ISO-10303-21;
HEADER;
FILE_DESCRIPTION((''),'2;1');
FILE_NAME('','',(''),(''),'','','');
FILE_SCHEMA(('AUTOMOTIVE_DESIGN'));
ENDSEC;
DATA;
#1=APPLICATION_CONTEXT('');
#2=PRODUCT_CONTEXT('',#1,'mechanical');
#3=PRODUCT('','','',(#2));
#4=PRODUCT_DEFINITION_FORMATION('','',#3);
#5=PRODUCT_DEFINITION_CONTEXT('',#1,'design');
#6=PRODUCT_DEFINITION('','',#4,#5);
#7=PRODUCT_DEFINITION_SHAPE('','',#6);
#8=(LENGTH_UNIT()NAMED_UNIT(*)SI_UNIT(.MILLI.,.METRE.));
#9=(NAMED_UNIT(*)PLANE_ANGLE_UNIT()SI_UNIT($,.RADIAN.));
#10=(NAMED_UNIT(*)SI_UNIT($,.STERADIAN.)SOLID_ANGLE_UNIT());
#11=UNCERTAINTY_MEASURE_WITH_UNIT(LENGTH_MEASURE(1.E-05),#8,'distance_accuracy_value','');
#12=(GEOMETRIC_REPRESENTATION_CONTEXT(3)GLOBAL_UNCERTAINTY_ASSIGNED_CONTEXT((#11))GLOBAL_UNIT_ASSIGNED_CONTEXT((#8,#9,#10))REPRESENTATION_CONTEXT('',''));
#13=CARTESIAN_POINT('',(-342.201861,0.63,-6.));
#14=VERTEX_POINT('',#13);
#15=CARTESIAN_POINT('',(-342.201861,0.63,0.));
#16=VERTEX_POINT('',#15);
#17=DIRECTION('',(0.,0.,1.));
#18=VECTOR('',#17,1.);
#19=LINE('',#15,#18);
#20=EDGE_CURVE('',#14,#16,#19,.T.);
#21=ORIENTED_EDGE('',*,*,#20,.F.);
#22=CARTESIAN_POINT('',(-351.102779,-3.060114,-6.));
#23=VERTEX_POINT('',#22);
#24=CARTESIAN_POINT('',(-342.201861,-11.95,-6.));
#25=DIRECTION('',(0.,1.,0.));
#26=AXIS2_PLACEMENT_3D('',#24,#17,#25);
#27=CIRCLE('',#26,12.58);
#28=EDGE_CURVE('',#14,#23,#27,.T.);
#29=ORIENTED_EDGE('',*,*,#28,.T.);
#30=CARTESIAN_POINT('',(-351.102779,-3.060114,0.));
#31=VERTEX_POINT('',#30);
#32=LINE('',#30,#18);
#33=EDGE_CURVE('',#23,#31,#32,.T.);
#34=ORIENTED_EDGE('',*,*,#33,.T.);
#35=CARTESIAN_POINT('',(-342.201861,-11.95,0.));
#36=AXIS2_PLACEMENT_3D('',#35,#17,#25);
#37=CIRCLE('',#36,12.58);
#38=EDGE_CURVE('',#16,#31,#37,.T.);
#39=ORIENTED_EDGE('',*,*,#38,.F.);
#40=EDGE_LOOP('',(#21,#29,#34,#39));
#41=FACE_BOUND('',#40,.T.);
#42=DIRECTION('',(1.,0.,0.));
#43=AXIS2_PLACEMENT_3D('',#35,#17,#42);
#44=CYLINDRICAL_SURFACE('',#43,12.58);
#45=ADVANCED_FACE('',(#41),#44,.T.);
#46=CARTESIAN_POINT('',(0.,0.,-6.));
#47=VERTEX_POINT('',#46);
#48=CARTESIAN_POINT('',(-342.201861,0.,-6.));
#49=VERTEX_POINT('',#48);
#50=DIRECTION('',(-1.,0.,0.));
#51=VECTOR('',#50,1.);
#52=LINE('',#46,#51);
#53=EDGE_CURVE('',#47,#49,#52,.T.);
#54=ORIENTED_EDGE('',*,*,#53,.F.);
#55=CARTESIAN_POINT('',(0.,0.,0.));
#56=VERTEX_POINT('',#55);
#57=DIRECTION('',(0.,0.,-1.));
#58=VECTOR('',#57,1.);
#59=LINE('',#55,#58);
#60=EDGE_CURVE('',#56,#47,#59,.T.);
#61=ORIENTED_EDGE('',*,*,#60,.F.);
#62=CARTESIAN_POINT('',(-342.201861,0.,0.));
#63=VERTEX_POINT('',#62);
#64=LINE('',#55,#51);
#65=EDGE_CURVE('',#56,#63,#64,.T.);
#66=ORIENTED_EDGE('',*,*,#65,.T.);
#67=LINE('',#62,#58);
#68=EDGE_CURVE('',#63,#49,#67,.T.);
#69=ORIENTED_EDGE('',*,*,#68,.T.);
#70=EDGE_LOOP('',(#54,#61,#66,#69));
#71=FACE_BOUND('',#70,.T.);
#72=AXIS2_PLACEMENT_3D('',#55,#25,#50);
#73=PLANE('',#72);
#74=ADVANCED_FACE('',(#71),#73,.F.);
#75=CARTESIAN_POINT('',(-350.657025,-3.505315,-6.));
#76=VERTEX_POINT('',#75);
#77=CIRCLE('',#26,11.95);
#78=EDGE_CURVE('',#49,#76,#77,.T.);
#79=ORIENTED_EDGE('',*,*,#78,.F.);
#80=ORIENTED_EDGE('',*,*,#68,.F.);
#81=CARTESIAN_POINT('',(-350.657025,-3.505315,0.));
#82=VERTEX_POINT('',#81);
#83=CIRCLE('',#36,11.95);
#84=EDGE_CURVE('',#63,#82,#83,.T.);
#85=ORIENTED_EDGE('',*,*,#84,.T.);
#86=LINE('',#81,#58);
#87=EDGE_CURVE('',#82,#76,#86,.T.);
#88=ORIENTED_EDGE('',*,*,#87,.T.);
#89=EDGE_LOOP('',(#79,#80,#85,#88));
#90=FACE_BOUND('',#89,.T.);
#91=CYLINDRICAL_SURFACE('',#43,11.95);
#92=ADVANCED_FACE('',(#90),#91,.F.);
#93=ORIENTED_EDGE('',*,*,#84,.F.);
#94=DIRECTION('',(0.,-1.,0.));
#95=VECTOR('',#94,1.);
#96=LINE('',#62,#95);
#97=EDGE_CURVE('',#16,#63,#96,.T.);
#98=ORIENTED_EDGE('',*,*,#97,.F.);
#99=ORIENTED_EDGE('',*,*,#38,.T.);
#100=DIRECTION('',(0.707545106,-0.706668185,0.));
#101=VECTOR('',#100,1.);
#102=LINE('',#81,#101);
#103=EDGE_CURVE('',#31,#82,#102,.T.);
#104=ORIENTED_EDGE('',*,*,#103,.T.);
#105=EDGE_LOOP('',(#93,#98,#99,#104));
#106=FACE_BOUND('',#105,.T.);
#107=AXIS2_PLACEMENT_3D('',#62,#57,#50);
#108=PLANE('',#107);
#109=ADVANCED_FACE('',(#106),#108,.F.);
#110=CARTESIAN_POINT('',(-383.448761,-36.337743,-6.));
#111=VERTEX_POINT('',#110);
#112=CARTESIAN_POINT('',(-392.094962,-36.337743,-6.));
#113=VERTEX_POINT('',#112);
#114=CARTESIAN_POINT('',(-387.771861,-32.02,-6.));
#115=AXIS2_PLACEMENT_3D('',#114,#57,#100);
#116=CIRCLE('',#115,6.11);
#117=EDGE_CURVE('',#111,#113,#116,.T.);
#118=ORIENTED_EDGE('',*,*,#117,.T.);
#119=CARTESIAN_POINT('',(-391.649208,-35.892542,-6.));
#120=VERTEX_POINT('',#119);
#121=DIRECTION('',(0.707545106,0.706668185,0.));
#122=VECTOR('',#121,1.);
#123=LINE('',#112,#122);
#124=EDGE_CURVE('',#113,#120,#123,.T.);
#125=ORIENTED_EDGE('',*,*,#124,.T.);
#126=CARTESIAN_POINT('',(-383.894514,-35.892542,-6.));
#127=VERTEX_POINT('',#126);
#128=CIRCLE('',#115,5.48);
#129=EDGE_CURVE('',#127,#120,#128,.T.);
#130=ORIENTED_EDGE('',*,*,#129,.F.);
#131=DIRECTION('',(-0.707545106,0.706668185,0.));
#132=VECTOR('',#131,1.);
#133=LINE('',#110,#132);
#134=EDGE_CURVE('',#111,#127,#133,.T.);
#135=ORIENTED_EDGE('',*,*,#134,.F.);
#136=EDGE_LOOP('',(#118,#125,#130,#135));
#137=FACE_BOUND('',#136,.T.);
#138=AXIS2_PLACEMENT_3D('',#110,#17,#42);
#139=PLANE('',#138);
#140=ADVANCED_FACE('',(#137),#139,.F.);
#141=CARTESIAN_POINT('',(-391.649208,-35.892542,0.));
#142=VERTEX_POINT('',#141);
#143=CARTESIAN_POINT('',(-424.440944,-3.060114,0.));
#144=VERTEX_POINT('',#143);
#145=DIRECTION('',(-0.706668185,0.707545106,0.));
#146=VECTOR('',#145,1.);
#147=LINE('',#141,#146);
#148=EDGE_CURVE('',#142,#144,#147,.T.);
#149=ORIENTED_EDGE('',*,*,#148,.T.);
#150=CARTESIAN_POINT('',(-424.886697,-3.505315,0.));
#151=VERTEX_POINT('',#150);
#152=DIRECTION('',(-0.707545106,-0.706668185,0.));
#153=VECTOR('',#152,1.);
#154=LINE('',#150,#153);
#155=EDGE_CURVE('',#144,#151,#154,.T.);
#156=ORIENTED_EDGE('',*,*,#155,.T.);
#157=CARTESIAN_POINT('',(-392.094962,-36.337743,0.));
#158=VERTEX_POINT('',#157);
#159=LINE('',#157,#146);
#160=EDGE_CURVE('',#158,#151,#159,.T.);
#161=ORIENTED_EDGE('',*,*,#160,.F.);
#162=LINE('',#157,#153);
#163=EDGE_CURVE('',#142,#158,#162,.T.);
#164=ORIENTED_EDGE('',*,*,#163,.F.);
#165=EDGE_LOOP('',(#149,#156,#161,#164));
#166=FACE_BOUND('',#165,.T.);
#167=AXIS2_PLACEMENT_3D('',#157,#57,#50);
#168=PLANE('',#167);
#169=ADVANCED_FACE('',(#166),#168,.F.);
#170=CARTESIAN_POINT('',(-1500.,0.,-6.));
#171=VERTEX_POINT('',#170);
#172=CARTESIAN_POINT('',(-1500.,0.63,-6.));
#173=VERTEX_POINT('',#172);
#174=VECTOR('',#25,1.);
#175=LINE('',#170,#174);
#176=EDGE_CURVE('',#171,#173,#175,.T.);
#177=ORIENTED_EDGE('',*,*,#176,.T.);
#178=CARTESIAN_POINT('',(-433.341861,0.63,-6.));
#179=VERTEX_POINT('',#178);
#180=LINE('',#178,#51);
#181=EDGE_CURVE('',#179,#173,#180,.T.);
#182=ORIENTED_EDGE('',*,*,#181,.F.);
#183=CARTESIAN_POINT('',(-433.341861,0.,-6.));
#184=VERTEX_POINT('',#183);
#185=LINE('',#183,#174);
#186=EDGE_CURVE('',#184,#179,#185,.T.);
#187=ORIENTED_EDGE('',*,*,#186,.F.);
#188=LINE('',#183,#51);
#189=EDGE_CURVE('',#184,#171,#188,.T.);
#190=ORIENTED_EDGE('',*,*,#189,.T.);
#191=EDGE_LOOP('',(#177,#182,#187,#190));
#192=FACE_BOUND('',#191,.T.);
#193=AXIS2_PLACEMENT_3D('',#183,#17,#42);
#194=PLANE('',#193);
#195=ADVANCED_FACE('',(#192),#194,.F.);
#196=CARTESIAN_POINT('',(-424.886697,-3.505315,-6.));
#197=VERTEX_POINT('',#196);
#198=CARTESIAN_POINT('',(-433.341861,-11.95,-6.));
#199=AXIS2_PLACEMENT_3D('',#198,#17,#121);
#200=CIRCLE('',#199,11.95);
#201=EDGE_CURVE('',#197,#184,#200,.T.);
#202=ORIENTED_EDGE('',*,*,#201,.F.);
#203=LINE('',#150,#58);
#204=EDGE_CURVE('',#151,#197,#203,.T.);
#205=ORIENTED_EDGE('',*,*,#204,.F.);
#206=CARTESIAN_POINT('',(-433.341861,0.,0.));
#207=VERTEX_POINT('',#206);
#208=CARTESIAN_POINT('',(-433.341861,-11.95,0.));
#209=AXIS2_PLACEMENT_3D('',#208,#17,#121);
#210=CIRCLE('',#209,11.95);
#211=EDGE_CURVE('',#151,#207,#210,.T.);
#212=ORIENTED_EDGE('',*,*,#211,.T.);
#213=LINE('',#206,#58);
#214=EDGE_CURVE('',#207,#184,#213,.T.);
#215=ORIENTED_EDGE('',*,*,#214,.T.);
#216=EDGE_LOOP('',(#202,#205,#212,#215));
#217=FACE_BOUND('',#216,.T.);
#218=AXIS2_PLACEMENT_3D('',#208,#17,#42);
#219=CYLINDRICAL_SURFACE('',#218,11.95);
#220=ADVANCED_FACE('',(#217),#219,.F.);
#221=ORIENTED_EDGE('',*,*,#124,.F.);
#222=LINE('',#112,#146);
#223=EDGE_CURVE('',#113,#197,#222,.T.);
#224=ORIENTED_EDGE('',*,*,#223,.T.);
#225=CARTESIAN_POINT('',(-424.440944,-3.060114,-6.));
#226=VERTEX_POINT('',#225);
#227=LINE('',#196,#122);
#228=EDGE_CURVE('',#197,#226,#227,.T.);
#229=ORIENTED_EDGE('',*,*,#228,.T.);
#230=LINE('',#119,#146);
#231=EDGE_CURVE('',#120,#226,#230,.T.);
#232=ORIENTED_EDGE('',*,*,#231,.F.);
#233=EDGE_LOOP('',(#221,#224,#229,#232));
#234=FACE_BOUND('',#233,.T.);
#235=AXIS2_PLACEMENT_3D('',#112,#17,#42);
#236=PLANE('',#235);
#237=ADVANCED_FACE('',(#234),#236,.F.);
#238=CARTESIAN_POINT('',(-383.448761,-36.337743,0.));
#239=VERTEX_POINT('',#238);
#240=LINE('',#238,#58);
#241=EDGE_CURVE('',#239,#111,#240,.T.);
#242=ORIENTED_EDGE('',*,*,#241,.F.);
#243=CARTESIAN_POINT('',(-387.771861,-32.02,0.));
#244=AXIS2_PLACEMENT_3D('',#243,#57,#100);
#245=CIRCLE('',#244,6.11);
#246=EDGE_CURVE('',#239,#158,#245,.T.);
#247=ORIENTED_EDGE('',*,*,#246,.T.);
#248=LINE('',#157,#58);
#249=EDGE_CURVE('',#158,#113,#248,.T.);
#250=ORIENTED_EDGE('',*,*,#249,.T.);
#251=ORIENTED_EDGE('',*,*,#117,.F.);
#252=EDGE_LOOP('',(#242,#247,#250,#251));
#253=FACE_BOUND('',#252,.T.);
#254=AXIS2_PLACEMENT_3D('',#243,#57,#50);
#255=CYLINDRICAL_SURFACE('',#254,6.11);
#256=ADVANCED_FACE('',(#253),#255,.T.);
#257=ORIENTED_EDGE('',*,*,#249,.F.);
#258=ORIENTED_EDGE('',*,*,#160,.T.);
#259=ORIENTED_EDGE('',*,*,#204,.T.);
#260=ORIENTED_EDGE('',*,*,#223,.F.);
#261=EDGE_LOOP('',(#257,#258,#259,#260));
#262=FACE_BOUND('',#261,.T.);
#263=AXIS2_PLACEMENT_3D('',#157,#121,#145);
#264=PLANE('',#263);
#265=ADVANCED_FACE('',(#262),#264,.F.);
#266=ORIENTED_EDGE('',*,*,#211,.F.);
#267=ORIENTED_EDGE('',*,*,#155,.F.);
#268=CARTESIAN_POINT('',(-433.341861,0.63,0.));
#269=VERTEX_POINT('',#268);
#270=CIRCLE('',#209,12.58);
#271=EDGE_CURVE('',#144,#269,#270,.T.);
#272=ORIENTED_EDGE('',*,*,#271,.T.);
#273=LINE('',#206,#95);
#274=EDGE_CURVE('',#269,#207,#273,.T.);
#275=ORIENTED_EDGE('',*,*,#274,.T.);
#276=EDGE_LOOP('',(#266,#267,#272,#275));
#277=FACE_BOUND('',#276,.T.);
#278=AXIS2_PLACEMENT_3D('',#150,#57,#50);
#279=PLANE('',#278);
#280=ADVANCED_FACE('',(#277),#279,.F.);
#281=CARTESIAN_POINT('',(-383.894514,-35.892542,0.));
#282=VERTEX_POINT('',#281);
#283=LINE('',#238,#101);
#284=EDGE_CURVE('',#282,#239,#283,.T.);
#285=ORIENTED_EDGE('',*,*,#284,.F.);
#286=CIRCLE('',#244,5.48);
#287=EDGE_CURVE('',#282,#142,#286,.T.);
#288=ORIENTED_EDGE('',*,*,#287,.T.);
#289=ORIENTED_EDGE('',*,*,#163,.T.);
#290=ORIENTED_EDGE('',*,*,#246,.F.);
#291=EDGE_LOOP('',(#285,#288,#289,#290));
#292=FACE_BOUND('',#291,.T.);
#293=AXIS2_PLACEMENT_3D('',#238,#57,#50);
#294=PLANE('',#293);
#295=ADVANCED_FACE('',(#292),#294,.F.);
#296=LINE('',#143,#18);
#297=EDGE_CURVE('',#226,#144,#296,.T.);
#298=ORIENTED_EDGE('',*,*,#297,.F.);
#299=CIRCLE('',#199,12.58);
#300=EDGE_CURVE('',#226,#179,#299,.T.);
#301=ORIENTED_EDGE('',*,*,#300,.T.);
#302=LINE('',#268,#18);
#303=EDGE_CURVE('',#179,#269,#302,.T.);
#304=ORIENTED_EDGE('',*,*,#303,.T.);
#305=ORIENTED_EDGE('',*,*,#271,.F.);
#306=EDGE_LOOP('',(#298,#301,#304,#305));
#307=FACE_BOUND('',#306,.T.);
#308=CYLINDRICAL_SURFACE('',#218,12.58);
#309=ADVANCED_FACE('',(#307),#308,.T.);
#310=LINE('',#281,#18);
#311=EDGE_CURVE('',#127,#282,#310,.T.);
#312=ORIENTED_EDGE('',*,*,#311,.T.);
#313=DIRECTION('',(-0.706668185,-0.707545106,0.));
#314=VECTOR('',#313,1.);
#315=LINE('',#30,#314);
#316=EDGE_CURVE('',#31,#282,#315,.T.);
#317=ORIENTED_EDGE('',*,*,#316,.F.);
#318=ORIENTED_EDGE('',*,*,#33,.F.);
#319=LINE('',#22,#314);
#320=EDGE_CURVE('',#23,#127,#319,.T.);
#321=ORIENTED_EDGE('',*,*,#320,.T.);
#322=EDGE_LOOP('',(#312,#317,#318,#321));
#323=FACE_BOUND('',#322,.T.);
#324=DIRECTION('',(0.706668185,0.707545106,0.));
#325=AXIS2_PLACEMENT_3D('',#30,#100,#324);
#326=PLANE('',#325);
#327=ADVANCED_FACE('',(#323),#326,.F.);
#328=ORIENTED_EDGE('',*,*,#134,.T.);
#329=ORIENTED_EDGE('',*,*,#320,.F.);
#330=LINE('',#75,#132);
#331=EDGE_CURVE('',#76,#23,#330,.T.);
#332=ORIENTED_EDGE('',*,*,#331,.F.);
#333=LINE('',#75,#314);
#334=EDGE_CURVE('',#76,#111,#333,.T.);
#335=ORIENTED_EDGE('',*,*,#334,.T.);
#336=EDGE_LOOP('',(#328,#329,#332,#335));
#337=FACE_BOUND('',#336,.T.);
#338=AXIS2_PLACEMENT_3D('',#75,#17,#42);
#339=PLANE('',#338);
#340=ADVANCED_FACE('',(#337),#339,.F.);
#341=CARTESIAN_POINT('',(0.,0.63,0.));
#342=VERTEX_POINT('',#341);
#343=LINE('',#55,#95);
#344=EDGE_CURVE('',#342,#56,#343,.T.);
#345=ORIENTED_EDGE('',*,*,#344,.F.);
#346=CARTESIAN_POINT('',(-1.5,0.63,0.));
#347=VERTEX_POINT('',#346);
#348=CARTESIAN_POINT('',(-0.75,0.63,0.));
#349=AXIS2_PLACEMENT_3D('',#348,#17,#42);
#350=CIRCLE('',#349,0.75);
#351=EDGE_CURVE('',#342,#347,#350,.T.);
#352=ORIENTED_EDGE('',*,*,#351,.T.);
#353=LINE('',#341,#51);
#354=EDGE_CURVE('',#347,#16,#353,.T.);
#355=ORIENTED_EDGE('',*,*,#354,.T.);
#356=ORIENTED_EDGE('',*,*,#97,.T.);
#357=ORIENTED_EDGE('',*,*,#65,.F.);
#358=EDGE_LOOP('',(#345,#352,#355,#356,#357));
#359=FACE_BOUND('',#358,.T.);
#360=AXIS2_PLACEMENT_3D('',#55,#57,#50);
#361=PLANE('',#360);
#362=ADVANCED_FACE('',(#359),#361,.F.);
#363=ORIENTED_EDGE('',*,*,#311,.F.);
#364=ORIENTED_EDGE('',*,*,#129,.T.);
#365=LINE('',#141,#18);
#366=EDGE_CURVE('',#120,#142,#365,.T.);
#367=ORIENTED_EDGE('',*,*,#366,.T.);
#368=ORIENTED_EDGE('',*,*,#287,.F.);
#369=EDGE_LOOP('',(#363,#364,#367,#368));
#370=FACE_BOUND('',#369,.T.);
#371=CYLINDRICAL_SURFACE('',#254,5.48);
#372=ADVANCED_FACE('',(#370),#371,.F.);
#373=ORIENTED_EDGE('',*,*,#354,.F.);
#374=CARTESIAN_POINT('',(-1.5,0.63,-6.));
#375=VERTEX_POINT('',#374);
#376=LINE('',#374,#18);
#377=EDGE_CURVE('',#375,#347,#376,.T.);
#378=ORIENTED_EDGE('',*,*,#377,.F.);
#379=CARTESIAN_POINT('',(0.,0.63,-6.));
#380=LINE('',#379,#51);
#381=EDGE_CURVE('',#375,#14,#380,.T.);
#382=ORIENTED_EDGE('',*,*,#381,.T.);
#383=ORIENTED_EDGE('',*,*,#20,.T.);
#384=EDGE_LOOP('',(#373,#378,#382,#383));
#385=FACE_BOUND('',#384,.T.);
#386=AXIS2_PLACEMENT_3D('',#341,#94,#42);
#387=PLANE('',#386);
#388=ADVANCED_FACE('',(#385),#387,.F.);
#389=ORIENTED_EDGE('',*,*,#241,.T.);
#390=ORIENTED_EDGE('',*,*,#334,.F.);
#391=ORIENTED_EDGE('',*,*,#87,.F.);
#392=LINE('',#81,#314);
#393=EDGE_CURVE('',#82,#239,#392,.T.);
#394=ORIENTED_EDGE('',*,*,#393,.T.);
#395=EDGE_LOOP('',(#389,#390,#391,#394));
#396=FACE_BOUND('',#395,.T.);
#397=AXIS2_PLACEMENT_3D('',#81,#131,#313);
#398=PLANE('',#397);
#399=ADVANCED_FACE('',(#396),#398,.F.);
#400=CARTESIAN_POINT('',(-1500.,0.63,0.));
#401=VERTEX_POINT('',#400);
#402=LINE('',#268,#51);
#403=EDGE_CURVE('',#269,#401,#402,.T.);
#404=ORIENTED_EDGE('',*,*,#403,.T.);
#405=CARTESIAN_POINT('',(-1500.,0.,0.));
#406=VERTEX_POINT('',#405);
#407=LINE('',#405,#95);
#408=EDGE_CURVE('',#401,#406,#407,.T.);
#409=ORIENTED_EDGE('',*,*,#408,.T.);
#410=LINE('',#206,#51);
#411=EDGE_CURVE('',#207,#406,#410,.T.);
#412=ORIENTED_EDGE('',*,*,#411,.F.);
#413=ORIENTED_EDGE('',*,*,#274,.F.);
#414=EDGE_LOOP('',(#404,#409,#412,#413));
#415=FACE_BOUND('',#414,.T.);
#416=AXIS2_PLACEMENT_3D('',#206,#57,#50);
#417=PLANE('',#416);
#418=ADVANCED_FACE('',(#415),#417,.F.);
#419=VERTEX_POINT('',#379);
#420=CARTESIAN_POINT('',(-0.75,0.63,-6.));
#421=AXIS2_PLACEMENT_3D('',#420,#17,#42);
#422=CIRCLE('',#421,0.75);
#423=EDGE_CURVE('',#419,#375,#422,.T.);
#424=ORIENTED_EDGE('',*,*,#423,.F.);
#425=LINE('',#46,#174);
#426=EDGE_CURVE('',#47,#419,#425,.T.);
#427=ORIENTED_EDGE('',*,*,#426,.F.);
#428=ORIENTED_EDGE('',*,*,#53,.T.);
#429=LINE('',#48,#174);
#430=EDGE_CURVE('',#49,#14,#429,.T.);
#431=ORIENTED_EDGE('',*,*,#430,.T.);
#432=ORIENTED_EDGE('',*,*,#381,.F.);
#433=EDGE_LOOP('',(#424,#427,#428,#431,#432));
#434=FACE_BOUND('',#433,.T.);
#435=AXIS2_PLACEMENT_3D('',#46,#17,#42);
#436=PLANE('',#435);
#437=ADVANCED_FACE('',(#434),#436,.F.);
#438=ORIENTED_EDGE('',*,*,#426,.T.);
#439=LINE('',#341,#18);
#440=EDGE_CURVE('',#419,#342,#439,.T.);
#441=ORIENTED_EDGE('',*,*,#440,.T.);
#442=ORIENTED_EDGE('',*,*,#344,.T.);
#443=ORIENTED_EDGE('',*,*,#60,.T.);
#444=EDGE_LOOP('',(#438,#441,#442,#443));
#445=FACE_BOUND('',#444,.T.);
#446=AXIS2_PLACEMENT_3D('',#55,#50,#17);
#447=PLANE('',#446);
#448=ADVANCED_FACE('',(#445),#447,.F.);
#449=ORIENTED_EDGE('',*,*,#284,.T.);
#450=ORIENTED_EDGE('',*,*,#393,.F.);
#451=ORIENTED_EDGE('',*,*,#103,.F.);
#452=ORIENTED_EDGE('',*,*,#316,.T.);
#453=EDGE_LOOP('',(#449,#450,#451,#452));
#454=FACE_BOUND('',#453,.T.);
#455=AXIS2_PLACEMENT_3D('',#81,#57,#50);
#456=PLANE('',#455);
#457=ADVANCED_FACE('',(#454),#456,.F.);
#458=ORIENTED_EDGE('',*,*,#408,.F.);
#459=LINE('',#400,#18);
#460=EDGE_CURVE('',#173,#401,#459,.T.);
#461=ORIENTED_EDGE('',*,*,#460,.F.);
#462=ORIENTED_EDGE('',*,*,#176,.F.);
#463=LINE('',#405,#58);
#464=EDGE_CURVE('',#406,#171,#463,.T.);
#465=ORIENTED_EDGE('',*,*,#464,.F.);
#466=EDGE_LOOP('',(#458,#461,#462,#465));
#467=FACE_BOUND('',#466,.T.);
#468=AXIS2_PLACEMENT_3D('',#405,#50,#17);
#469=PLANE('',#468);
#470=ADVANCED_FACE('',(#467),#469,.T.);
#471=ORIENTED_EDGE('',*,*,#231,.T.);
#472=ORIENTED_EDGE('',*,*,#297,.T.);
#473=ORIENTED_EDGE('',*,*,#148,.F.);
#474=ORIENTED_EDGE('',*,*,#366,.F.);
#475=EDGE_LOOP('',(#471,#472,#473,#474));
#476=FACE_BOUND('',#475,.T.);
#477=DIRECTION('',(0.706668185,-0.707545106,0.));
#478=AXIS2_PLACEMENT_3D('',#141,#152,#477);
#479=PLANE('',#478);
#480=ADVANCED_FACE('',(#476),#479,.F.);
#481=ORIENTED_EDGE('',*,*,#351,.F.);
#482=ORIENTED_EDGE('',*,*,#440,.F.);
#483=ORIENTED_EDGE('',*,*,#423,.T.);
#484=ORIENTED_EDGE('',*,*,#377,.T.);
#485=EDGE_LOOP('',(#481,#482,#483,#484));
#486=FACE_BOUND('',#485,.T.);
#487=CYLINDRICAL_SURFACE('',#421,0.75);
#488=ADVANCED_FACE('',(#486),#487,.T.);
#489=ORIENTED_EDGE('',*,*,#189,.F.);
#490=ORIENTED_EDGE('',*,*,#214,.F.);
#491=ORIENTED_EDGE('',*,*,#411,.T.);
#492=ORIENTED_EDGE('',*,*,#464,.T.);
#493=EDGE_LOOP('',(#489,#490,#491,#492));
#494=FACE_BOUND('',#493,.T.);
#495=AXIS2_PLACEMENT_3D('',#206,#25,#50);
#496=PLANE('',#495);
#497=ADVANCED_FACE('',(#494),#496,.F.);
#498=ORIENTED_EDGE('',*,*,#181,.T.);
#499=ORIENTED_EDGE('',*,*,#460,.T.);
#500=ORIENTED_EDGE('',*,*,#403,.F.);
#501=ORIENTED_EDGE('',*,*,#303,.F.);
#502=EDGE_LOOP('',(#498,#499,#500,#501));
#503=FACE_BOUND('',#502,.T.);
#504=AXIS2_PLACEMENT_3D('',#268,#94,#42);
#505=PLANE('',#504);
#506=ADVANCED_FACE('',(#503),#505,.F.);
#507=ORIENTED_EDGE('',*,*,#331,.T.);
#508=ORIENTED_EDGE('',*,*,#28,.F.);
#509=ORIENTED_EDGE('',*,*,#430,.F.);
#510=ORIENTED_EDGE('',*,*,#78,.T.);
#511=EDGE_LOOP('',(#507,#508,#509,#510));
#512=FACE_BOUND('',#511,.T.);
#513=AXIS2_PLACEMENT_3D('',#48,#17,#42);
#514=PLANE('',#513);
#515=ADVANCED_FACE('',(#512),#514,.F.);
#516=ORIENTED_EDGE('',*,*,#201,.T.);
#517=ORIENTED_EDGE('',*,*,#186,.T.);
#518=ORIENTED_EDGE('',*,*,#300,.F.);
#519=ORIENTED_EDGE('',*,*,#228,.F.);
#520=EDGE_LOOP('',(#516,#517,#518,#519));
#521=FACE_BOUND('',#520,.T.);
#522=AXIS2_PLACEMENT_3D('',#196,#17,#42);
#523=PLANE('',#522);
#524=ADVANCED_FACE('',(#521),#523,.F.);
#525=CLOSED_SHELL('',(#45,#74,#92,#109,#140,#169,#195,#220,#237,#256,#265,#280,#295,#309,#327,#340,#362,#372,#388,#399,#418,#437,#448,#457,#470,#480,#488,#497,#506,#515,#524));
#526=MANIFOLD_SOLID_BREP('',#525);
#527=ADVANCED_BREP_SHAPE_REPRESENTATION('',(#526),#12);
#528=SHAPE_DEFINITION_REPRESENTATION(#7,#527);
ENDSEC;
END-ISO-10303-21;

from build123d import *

# Parameters (mm, degrees)
SKETCH1_W           = 6
SKETCH1_H           = 0.63
BOSS_EXTRUDE1_DEPTH = 6


with BuildPart() as part:
    # Sweep1: sweep along a path in Sketch2
    with BuildLine(Plane.XY) as sweep1_path:
        Line((0, 0), (-342.20186112, 0))
        ThreePointArc((-342.20186112, 0), (-346.778350853, -0.911057943), (-350.657025134, -3.505315192))
        Line((-350.657025134, -3.505315192), (-383.448760524, -36.337742609))
        ThreePointArc((-383.448760524, -36.337742609), (-387.77186112, -38.13), (-392.094961716, -36.337742609))
        Line((-392.094961716, -36.337742609), (-424.886697107, -3.505315192))
        ThreePointArc((-424.886697107, -3.505315192), (-428.765371388, -0.911057943), (-433.34186112, 0))
        Line((-433.34186112, 0), (-1500, 0))
    # Sketch1 → Sweep1 (sweep)
    with BuildSketch(Plane(origin=(0, 0, 0), x_dir=(0, 0, -1), z_dir=(1, 0, 0))):
        with Locations((3, 0.315)):
            Rectangle(SKETCH1_W, SKETCH1_H)
    sweep(path=sweep1_path.line)

    # Sketch3 → Boss-Extrude1 (add, through all)
    with BuildSketch(Plane.XY):
        with BuildLine():
            Line((-1.5, 0.63), (-1.5, 0))
            Line((-1.5, 0), (0, 0))
            Line((0, 0), (0, 0.63))
            ThreePointArc((0, 0.63), (-0.75, 1.38), (-1.5, 0.63))
        make_face()
    extrude(amount=-BOSS_EXTRUDE1_DEPTH)


solid = part.part
